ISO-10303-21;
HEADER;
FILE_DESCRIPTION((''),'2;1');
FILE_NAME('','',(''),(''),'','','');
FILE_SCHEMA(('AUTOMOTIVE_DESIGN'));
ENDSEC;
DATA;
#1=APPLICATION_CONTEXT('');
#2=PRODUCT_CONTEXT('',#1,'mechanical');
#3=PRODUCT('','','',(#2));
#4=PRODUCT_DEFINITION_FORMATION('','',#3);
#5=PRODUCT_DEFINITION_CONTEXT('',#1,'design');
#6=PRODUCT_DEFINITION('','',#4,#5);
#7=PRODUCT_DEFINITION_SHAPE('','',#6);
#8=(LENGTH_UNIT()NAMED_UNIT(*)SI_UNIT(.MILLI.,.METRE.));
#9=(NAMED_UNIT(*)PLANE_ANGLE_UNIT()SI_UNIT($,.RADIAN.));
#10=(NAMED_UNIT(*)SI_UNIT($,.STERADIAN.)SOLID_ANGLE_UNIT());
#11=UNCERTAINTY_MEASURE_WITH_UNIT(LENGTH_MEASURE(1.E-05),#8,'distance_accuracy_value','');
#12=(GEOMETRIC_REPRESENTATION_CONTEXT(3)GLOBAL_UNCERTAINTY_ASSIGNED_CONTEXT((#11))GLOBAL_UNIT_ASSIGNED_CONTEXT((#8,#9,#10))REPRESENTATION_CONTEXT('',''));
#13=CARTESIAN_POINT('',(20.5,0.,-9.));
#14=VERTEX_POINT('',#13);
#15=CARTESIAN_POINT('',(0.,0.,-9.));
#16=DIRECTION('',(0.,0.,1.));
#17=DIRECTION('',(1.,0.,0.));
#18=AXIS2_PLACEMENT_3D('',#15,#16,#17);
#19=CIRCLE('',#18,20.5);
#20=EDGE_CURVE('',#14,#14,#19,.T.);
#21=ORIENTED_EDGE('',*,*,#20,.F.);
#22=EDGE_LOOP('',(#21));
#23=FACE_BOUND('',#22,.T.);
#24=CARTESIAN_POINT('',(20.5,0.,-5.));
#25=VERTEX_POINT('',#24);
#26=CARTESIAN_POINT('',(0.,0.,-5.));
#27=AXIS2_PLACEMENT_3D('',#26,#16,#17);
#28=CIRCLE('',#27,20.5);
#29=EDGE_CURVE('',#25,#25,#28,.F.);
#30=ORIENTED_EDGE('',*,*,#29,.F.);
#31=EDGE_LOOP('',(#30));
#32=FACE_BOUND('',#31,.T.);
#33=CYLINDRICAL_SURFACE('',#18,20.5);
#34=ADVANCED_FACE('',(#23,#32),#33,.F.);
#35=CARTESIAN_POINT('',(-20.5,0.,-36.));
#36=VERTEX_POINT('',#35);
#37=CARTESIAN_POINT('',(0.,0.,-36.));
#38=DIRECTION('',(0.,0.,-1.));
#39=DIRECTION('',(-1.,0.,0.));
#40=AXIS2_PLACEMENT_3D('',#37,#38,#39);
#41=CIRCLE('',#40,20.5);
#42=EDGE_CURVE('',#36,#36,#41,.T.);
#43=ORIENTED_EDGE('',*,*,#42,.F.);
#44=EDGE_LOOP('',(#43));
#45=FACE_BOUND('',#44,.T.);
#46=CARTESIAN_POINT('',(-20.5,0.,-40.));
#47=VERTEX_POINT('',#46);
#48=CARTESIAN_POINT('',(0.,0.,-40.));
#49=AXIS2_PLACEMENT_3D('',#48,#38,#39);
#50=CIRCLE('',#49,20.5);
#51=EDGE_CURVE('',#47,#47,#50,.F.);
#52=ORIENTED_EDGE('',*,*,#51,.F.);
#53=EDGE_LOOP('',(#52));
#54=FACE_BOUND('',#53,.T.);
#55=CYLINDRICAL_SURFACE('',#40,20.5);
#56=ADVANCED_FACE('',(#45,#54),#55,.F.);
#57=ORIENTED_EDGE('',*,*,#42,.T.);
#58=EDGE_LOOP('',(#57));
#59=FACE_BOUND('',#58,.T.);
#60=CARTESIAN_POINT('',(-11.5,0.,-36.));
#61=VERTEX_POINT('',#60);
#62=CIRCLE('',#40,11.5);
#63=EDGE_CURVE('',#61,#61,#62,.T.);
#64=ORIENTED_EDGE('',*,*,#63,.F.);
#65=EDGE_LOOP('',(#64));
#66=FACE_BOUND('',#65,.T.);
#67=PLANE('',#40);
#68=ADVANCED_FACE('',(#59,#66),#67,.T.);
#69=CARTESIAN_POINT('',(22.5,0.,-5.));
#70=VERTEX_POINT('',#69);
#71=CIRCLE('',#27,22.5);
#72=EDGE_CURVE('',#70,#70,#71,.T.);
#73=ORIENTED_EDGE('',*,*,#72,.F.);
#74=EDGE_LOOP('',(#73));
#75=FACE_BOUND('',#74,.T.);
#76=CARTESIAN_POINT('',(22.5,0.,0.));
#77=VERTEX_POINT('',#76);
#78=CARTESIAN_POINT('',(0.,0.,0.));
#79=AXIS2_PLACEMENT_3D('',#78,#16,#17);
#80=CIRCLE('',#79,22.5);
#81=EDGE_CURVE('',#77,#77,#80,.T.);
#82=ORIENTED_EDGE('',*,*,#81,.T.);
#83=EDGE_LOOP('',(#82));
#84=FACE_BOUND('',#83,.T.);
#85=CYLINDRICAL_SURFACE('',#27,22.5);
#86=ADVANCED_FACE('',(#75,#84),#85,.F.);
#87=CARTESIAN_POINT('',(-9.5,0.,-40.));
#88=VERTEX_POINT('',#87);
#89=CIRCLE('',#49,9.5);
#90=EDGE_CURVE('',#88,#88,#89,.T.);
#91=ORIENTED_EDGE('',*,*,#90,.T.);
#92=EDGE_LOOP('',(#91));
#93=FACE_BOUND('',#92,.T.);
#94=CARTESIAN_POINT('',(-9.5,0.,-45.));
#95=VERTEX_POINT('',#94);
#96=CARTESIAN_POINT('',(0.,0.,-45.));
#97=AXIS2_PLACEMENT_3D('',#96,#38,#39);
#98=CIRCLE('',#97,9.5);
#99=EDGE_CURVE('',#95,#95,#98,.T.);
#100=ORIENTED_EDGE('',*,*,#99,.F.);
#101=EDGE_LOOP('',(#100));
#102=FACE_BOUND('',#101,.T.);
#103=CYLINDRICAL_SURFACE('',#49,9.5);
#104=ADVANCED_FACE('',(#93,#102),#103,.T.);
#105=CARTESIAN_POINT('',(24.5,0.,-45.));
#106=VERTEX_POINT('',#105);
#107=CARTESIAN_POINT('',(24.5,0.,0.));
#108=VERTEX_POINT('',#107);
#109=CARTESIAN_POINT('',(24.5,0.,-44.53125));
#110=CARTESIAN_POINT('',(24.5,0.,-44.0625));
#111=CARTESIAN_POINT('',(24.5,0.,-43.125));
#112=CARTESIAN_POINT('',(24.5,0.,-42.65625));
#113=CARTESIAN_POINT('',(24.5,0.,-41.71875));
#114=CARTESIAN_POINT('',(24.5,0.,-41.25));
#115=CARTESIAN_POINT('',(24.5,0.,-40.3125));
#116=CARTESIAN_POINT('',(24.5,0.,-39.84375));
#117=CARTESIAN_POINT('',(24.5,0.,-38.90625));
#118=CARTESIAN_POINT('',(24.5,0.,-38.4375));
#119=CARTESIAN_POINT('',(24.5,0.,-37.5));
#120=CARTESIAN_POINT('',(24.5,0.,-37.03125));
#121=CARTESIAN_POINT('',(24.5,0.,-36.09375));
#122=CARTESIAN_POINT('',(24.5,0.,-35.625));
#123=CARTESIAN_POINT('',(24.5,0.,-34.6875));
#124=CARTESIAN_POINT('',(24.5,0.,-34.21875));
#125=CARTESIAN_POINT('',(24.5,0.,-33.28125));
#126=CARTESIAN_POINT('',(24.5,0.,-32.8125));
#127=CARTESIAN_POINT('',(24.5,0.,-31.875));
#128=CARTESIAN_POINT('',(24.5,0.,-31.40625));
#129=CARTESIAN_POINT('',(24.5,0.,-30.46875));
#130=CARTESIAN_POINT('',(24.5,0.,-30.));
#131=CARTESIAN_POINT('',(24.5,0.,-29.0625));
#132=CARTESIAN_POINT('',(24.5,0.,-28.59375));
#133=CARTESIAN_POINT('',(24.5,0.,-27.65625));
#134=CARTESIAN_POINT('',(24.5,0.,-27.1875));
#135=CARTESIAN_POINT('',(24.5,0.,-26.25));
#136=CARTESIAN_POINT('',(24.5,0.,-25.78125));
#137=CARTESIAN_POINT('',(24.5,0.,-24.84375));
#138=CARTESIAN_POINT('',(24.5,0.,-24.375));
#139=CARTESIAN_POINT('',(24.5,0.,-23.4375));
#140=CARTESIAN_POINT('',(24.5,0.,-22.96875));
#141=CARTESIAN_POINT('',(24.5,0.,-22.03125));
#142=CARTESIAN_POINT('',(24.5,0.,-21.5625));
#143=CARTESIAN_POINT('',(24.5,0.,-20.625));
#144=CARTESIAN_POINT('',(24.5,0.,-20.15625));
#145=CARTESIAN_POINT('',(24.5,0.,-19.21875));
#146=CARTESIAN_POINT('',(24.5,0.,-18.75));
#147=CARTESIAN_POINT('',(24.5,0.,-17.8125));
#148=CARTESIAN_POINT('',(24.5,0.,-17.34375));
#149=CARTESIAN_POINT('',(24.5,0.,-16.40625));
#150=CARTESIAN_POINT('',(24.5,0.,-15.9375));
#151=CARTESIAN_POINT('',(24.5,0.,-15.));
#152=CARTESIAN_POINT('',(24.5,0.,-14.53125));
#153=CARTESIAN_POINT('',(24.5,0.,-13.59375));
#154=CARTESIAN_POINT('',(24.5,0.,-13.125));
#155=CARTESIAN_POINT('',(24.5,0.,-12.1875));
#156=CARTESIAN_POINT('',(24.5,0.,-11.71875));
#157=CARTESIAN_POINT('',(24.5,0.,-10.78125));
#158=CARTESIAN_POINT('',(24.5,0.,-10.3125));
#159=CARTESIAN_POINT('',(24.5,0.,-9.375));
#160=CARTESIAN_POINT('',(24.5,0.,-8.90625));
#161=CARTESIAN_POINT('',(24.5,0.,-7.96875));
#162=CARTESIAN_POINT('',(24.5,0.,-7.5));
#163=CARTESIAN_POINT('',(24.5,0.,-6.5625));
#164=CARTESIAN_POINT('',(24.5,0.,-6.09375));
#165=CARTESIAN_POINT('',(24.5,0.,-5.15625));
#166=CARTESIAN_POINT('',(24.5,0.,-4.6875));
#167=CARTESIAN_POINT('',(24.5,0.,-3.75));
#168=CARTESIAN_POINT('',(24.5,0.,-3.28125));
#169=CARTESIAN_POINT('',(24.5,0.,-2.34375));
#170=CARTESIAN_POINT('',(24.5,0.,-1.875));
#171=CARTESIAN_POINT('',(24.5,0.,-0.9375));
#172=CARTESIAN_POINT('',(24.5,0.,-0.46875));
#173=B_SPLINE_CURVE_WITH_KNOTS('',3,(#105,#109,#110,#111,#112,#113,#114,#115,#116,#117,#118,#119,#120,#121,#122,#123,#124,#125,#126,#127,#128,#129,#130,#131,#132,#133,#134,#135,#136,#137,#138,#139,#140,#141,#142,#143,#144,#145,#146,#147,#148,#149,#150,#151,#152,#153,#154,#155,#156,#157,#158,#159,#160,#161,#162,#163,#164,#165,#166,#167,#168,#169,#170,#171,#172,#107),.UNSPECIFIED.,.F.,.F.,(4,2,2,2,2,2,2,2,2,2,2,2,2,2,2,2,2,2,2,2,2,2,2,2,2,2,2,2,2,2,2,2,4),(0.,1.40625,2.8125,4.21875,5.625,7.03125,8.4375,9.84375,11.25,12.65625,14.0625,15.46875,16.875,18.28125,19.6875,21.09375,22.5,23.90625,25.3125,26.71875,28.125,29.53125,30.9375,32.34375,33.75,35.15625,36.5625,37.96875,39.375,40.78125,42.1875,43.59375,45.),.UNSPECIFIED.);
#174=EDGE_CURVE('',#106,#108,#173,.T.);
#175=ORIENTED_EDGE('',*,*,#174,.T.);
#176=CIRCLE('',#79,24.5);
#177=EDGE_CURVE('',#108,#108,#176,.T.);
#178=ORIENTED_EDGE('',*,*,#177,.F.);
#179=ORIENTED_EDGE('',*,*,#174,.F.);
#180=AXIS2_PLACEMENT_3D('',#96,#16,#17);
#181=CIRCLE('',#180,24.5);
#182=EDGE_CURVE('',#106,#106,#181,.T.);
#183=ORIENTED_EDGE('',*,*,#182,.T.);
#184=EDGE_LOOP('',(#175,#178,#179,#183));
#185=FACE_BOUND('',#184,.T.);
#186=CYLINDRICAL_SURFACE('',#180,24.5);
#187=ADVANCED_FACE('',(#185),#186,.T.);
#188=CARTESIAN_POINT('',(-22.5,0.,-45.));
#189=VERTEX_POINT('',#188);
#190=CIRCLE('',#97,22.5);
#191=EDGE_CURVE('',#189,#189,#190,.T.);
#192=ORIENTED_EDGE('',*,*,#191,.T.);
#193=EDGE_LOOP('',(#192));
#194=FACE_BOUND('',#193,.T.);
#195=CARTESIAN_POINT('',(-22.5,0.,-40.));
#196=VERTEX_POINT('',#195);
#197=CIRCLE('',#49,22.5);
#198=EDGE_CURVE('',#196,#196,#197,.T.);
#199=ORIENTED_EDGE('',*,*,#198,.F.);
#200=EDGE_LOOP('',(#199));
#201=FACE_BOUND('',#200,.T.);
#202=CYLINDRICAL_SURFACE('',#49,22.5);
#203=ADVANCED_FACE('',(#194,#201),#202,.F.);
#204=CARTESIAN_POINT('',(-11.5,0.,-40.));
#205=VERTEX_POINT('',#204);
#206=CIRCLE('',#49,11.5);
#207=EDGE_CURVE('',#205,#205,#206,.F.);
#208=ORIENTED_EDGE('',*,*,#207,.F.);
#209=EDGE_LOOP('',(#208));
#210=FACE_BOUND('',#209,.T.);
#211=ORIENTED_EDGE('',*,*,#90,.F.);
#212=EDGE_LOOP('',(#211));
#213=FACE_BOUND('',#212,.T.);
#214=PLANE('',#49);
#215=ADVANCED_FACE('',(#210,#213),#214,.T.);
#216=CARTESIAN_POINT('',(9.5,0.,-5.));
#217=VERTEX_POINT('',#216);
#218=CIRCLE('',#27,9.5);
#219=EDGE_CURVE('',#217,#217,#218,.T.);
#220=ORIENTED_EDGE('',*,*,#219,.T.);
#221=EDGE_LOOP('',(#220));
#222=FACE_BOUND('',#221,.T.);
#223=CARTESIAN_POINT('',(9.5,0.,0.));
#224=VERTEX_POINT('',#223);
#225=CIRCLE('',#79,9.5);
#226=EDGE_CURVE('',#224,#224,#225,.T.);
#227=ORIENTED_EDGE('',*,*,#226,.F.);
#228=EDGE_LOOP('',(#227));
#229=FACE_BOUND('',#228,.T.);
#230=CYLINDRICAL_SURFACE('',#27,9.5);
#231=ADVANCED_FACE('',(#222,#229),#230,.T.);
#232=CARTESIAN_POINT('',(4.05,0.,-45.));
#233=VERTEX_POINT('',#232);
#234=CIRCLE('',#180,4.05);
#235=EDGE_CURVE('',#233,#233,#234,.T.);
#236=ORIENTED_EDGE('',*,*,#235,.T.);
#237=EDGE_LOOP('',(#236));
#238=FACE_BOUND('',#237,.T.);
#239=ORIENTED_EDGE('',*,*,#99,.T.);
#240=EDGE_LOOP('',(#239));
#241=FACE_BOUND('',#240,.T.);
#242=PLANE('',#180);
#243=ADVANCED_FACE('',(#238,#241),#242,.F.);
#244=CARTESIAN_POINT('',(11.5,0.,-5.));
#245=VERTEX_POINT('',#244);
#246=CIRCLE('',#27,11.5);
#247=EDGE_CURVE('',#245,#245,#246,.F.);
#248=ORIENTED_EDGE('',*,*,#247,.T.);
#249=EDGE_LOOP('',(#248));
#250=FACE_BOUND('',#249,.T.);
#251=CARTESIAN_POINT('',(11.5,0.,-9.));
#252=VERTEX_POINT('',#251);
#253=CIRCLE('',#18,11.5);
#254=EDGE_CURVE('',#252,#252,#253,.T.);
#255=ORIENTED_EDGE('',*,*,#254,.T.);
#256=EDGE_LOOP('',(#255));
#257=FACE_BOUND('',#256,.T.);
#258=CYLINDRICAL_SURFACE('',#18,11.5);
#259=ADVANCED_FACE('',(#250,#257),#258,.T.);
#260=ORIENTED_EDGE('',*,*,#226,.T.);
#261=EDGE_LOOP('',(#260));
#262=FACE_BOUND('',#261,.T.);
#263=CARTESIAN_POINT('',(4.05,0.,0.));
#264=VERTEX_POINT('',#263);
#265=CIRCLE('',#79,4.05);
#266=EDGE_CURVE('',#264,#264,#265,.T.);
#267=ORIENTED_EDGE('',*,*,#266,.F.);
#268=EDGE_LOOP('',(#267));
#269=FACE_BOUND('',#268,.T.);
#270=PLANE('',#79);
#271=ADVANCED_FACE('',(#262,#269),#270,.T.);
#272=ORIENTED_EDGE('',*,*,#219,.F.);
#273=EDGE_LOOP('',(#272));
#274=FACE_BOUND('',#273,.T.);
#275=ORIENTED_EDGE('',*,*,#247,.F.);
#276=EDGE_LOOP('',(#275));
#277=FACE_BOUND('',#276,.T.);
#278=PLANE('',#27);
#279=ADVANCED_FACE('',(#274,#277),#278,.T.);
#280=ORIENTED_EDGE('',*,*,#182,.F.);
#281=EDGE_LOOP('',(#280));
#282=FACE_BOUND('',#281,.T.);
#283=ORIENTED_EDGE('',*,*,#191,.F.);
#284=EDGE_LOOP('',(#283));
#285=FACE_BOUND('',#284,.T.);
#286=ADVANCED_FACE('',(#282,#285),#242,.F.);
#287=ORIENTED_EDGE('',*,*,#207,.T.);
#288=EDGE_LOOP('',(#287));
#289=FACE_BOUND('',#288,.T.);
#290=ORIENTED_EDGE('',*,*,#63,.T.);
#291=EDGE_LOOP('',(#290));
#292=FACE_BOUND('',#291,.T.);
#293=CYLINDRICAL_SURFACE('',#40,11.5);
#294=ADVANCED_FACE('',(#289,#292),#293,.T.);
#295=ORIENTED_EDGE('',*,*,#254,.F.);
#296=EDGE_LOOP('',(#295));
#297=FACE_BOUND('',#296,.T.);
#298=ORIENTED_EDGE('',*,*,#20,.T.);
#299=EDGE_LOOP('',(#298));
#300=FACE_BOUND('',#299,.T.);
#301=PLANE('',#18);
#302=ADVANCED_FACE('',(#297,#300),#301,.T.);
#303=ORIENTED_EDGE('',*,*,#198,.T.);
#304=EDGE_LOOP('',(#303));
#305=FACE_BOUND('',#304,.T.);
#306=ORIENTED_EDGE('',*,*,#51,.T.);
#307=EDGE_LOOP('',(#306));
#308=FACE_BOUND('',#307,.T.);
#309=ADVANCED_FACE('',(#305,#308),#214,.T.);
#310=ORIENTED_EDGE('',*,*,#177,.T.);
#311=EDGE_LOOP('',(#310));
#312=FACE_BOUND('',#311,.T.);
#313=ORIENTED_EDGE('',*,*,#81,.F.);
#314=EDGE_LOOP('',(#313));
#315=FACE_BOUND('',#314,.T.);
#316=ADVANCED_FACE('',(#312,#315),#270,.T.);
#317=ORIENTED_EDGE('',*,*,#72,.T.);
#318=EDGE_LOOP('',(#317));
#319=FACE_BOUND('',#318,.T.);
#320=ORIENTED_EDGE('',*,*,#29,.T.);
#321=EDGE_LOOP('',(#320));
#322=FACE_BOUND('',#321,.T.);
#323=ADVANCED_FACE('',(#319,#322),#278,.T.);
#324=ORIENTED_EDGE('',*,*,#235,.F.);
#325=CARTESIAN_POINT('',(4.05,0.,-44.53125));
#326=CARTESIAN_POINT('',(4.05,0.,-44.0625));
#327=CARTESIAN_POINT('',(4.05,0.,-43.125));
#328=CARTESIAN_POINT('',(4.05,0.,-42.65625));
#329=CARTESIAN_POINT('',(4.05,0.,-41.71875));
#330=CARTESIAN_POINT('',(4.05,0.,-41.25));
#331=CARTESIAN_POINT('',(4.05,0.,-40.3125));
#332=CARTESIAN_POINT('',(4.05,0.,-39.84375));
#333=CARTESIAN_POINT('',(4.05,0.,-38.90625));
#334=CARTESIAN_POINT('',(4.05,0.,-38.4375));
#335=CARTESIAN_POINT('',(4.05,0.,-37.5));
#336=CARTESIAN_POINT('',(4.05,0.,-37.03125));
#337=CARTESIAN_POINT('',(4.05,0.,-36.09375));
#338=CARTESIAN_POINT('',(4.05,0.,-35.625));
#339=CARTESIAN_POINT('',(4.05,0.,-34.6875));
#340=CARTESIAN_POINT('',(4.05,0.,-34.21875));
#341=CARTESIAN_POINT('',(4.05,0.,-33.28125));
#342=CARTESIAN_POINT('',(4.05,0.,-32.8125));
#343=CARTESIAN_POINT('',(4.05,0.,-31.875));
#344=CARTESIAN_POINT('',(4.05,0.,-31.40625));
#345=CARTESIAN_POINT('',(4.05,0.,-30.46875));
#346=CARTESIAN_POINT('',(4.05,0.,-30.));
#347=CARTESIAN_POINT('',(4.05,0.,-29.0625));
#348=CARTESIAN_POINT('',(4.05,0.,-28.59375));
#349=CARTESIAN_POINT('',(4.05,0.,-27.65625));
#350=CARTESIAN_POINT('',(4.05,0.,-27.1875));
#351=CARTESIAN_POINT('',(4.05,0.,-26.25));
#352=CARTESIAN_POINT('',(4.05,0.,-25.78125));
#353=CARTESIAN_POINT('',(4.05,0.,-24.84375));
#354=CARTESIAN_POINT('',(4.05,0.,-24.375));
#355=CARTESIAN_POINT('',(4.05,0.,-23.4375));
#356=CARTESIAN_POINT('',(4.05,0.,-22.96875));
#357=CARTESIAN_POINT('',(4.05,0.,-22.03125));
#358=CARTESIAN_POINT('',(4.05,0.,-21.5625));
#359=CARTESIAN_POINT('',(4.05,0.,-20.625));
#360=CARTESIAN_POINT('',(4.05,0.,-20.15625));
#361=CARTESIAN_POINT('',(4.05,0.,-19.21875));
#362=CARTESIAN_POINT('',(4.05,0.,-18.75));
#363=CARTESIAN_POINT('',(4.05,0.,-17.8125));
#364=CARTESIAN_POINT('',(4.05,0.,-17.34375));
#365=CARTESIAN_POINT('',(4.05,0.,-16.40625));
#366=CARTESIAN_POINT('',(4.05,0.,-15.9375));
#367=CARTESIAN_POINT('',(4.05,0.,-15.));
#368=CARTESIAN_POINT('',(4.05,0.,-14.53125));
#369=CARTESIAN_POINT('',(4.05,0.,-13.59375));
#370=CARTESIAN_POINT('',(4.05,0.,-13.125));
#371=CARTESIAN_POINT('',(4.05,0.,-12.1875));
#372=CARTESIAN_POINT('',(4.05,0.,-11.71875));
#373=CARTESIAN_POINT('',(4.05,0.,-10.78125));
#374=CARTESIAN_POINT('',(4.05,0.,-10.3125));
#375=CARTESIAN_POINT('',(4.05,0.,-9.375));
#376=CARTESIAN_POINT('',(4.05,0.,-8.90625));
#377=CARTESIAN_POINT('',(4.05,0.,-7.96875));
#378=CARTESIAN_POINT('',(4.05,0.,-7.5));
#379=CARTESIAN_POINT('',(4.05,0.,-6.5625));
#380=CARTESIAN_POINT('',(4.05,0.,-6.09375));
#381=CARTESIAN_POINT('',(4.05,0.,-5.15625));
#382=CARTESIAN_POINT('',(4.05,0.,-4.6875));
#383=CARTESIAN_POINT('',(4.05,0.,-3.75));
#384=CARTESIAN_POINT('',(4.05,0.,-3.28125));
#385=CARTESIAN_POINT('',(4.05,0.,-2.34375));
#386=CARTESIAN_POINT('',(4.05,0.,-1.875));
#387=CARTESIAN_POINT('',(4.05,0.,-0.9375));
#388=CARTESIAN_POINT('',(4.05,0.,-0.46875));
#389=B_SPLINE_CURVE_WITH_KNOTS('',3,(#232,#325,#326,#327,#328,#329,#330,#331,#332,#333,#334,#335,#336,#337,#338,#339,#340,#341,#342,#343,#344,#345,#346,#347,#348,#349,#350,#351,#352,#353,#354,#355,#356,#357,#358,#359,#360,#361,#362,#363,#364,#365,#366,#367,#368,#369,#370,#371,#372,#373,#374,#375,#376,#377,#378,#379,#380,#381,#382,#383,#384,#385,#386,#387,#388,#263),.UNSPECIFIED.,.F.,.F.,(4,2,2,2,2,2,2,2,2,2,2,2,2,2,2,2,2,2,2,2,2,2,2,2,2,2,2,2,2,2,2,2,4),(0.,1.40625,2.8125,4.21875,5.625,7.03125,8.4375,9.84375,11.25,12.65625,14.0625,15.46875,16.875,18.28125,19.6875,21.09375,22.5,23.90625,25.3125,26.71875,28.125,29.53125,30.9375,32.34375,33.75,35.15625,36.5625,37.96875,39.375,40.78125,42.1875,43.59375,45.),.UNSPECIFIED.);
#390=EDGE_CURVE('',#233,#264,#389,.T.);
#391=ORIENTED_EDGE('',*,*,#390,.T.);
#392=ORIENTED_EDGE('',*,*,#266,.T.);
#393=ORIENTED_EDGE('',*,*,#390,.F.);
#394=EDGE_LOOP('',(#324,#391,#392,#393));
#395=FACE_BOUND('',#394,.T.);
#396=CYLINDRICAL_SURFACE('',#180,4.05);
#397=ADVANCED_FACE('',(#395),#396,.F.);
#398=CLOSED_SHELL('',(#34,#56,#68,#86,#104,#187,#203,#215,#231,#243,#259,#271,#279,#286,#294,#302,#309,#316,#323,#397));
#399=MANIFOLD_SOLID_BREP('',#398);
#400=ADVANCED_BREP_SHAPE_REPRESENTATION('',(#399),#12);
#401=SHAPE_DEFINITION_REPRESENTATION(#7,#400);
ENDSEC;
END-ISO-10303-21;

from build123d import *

# Parameters (mm, degrees)
SKETCH1_R           = 24.5
SKETCH1_R_2         = 4.05
BOSS_EXTRUDE1_DEPTH = 45
SKETCH2_R           = 20.5
SKETCH2_R_2         = 11.5
CUT_EXTRUDE1_DEPTH  = 9
CUT_EXTRUDE2_START  = -9
SKETCH3_R           = 20.5
SKETCH3_R_2         = 11.5
CUT_EXTRUDE2_DEPTH  = 9
SKETCH5_R           = 22.5
SKETCH5_R_2         = 9.5
CUT_EXTRUDE3_DEPTH  = 5
CUT_EXTRUDE4_START  = -5
SKETCH6_R           = 22.5
SKETCH6_R_2         = 9.5
CUT_EXTRUDE4_DEPTH  = 5


with BuildPart() as part:
    # Sketch1 → Boss-Extrude1 (new body)
    with BuildSketch(Plane.XY):
        Circle(SKETCH1_R)
        Circle(SKETCH1_R_2, mode=Mode.SUBTRACT)
    extrude(amount=-BOSS_EXTRUDE1_DEPTH)

    # Sketch2 → Cut-Extrude1 (cut)
    with BuildSketch(Plane.XY):
        Circle(SKETCH2_R)
        Circle(SKETCH2_R_2, mode=Mode.SUBTRACT)
    extrude(amount=-CUT_EXTRUDE1_DEPTH, mode=Mode.SUBTRACT)

    # Sketch3 → Cut-Extrude2 (cut)
    with BuildSketch(Plane(origin=(0, 0, -45), x_dir=(-1, 0, 0), z_dir=(0, 0, -1)).offset(CUT_EXTRUDE2_START)):
        with Locations(Location((0, 0, 0), (0, 0, 180))):
            Circle(SKETCH3_R)
        with Locations(Location((0, 0, 0), (0, 0, 180))):
            Circle(SKETCH3_R_2, mode=Mode.SUBTRACT)
    extrude(amount=CUT_EXTRUDE2_DEPTH, mode=Mode.SUBTRACT)

    # Sketch5 → Cut-Extrude3 (cut)
    with BuildSketch(Plane.XY):
        Circle(SKETCH5_R)
        Circle(SKETCH5_R_2, mode=Mode.SUBTRACT)
    extrude(amount=-CUT_EXTRUDE3_DEPTH, mode=Mode.SUBTRACT)

    # Sketch6 → Cut-Extrude4 (cut)
    with BuildSketch(Plane(origin=(0, 0, -45), x_dir=(-1, 0, 0), z_dir=(0, 0, -1)).offset(CUT_EXTRUDE4_START)):
        with Locations(Location((0, 0, 0), (0, 0, 180))):
            Circle(SKETCH6_R)
        with Locations(Location((0, 0, 0), (0, 0, 180))):
            Circle(SKETCH6_R_2, mode=Mode.SUBTRACT)
    extrude(amount=CUT_EXTRUDE4_DEPTH, mode=Mode.SUBTRACT)


solid = part.part
